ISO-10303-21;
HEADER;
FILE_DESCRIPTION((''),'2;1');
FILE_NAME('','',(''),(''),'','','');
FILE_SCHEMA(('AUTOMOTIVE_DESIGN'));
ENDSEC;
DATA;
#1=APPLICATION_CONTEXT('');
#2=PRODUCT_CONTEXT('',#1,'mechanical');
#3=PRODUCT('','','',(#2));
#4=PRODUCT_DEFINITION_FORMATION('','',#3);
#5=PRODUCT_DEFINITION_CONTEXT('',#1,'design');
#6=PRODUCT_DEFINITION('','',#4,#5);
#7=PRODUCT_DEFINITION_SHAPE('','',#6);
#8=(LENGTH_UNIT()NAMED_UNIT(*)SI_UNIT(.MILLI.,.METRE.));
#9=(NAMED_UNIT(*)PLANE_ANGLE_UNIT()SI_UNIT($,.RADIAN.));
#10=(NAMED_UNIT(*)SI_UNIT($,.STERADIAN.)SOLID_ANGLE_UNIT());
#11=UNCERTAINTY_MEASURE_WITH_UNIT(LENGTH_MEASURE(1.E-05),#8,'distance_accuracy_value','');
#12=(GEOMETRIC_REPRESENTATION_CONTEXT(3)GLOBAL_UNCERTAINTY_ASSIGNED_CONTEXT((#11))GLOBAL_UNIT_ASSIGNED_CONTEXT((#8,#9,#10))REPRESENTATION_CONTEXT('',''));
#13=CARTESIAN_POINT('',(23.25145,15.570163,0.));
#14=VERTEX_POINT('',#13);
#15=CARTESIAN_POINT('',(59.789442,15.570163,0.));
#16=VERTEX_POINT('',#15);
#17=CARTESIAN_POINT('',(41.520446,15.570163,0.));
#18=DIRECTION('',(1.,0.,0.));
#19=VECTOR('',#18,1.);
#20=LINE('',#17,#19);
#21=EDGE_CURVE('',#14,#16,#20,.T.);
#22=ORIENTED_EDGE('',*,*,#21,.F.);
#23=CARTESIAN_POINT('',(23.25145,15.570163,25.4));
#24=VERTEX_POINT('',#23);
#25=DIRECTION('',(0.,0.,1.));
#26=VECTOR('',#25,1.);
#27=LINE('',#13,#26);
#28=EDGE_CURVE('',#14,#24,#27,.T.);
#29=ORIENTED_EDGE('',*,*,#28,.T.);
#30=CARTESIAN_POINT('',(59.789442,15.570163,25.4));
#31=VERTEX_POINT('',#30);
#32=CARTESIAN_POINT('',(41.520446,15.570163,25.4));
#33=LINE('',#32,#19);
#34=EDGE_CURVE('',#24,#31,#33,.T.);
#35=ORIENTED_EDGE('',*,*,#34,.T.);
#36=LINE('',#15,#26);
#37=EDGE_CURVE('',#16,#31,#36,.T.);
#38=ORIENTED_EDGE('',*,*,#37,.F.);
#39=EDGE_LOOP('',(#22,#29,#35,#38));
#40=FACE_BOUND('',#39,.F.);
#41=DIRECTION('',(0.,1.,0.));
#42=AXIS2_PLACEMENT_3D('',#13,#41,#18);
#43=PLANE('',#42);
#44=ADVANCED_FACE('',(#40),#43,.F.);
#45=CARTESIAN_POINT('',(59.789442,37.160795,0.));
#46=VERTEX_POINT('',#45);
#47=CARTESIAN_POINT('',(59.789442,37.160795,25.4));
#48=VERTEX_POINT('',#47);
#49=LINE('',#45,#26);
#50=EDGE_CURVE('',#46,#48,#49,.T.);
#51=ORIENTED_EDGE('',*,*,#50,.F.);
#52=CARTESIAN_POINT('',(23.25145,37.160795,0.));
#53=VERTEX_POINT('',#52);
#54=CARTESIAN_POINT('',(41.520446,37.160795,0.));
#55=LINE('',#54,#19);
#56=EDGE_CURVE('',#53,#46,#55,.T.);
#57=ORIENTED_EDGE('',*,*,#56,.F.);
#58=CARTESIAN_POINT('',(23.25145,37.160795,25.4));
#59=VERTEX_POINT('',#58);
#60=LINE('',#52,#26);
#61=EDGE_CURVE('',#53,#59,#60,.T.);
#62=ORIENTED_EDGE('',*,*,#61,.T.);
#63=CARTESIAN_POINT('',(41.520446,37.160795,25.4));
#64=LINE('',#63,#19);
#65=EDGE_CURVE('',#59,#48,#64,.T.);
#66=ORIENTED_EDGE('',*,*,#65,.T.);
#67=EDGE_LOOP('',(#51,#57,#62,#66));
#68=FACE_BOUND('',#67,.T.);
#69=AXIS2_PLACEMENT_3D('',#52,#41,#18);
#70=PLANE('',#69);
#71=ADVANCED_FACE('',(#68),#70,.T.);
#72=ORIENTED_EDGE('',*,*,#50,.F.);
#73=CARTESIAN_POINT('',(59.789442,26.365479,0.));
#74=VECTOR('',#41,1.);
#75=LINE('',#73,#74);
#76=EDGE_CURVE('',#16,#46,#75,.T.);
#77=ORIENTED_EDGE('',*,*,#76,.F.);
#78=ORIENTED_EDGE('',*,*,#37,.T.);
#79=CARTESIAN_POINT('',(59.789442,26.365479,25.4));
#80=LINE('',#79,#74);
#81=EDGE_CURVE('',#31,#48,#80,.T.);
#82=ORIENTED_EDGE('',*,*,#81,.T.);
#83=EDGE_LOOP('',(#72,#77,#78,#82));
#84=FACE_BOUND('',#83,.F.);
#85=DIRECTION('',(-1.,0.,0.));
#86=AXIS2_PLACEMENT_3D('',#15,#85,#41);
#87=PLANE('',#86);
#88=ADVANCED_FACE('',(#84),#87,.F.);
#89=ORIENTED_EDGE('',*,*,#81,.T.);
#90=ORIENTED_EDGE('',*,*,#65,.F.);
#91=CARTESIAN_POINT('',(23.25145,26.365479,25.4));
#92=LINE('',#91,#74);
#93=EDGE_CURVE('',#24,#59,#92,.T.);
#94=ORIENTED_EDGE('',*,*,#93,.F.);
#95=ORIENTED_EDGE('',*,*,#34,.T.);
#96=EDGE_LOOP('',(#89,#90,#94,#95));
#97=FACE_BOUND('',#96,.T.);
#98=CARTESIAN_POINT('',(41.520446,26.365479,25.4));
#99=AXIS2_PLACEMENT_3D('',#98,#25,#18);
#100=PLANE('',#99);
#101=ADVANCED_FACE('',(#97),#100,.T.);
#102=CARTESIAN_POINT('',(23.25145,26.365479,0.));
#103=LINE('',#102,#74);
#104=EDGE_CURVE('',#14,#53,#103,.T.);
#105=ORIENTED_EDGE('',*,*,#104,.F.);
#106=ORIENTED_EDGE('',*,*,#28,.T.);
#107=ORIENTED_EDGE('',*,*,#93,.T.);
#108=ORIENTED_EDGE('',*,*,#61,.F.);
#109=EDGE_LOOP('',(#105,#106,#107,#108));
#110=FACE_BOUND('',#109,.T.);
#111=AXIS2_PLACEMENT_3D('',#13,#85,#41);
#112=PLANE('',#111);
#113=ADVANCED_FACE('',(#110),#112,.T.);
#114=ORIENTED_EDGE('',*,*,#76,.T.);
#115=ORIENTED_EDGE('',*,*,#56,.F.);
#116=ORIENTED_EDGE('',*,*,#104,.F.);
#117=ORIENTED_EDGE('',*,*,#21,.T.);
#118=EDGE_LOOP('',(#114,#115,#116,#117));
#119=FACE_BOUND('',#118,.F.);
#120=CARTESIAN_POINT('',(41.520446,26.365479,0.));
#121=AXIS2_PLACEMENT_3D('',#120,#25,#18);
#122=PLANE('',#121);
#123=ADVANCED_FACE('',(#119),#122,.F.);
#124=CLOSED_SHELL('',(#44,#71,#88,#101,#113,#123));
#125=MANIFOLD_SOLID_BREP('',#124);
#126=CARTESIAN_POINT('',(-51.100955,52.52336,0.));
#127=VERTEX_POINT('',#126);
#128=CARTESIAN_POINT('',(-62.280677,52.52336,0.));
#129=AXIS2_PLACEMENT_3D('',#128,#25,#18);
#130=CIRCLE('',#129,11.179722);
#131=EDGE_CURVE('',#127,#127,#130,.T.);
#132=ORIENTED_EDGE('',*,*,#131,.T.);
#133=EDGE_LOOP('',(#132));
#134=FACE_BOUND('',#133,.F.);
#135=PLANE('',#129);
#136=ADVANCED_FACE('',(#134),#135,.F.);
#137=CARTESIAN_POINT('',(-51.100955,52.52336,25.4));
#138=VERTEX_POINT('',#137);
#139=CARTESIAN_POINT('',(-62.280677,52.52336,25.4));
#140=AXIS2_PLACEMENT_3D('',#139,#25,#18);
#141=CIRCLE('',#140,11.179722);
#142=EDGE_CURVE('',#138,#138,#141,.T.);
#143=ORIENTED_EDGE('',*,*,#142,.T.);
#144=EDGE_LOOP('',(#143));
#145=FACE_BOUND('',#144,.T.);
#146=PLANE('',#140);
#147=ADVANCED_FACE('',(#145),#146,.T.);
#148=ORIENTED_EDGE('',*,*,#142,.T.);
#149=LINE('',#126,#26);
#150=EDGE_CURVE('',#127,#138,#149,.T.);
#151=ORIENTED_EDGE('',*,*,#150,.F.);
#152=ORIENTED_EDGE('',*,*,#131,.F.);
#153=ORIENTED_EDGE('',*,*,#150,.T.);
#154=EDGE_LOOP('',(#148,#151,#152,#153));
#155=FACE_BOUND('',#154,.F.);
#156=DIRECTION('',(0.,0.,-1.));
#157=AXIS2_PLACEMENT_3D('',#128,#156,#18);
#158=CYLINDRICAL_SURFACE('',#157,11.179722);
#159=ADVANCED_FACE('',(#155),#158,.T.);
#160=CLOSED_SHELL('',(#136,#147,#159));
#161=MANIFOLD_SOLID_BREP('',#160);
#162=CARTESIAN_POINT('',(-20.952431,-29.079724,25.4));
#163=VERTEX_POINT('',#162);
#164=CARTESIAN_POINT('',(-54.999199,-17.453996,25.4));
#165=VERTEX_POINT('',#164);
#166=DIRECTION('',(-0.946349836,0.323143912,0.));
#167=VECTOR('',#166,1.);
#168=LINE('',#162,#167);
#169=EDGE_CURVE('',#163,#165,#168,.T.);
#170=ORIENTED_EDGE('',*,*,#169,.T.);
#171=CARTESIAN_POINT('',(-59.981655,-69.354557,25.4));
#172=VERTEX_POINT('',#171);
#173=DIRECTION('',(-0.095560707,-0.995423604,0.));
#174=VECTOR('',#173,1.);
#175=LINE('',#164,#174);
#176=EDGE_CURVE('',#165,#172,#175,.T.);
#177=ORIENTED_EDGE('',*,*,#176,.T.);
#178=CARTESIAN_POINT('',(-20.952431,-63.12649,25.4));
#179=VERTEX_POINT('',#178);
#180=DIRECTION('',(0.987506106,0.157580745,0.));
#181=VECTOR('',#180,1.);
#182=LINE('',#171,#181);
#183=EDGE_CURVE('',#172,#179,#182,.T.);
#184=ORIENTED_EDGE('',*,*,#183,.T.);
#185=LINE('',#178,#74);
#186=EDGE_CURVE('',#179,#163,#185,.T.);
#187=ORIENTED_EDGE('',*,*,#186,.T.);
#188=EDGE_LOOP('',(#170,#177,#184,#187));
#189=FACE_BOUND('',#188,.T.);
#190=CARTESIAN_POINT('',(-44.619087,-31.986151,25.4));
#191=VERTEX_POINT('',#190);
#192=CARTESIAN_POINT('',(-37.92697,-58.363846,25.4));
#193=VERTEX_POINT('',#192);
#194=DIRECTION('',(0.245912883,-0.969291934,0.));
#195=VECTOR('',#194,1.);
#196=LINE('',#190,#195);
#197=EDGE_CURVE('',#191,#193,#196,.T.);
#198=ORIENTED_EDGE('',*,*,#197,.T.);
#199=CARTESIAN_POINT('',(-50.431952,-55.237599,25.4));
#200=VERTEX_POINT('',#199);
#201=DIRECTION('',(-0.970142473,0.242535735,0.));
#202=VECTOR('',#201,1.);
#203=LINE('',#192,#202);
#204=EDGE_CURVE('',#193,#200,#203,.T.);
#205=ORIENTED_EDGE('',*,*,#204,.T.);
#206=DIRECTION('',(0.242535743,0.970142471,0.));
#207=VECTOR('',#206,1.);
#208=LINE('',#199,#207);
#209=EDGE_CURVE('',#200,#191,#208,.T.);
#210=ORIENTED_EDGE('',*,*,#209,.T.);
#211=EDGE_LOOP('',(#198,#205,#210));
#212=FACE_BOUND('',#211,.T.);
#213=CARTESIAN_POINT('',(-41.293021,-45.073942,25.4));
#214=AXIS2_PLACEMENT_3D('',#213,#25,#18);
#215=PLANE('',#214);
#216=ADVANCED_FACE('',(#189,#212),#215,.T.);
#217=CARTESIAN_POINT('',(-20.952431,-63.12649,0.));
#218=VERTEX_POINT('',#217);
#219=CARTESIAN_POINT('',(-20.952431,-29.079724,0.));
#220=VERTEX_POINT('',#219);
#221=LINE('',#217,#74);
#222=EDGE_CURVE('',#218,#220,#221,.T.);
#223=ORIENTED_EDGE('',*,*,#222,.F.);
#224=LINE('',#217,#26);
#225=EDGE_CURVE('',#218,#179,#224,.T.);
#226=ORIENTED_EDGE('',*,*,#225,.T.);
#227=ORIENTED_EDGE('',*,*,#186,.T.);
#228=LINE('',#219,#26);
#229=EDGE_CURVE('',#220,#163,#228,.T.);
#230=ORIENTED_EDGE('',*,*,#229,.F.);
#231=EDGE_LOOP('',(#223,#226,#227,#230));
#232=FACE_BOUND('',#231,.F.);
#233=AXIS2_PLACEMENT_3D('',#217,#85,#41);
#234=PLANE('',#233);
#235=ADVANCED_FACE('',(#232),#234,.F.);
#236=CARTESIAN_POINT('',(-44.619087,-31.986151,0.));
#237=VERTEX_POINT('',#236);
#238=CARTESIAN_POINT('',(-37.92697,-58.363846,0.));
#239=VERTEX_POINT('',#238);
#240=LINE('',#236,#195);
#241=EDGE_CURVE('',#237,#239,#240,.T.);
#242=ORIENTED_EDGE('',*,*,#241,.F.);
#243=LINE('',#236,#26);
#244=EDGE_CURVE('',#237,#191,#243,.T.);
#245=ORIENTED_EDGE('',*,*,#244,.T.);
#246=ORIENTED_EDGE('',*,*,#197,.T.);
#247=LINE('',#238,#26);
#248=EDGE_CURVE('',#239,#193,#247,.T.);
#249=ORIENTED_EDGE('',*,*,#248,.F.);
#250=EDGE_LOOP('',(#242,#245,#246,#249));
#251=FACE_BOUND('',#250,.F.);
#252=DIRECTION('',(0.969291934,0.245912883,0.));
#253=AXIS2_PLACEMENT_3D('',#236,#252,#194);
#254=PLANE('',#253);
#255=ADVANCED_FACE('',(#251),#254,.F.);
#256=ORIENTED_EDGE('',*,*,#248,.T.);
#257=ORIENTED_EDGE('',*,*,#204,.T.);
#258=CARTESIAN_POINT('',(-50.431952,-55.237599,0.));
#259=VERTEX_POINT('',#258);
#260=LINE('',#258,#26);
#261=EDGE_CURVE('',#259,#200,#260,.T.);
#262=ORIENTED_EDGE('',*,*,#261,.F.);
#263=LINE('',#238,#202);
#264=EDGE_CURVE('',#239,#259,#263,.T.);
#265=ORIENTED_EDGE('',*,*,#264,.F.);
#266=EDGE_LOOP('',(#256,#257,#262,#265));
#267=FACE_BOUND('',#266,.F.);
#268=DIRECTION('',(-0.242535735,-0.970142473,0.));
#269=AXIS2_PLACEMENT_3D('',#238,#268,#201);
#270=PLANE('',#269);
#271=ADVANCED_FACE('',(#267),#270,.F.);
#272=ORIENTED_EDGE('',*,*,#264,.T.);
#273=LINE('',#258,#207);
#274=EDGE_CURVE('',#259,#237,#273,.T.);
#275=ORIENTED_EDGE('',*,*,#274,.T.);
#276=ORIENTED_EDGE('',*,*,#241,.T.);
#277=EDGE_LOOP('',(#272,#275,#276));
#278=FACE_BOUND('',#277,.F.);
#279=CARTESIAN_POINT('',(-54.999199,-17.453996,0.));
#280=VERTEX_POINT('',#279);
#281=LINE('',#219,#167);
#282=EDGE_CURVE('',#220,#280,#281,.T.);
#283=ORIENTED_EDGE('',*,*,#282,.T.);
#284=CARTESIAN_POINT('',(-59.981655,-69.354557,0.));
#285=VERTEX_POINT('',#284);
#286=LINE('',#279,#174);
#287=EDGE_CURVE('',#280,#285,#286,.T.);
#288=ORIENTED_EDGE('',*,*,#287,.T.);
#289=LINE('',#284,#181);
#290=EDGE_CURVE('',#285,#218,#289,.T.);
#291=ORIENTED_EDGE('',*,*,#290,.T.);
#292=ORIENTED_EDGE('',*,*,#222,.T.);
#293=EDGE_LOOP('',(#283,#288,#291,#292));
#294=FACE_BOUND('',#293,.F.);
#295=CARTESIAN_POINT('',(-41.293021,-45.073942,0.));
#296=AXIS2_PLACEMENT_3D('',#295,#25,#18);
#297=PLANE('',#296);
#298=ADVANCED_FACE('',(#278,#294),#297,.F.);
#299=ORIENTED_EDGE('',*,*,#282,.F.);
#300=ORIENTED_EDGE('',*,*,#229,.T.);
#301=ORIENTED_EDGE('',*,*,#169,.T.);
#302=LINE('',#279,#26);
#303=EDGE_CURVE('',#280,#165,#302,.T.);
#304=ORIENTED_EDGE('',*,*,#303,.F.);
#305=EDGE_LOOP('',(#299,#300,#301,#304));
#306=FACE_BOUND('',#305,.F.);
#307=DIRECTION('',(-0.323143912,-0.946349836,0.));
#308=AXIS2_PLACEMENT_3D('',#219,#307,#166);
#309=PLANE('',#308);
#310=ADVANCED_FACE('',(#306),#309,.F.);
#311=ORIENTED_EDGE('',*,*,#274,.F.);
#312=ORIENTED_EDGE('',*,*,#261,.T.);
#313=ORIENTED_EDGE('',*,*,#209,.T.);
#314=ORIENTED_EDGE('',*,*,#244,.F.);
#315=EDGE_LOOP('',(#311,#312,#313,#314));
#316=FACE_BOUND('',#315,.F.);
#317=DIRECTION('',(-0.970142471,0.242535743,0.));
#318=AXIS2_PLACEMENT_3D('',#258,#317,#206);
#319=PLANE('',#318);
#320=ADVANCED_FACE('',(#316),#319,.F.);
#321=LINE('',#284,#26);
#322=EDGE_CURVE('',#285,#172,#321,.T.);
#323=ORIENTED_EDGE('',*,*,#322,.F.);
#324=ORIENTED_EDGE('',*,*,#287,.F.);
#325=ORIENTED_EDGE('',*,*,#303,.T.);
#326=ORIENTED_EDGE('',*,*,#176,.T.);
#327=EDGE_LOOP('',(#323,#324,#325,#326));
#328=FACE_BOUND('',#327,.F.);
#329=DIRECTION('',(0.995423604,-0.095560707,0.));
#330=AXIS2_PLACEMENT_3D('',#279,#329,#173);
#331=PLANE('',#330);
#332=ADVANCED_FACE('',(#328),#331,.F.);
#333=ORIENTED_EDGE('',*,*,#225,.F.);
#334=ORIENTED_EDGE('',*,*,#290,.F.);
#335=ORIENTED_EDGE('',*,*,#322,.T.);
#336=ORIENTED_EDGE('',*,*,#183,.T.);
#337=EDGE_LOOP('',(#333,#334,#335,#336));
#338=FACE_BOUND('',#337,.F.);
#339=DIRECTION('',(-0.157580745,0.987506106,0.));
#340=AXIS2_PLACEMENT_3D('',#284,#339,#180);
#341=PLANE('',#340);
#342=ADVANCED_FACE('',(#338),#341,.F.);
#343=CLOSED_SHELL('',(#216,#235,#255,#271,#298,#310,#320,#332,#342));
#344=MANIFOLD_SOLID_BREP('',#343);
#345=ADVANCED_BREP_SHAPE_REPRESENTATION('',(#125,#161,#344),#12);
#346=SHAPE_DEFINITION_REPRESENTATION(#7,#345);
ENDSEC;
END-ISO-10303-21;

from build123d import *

# Parameters (mm, degrees)
F1_DEPTH = 25.4
F0_R     = 11.179722
F2_DEPTH = 25.4
F0_W     = 36.537992
F0_H     = 21.590633
F3_DEPTH = 25.4


with BuildPart() as f1:
    # F0 (on Top) → F1 (new body)
    with BuildSketch(Plane.XY):
        Polygon((-20.952431, -29.079724), (-54.999199, -17.453996), (-59.981655, -69.354557), (-20.952431, -63.12649), align=None)
        Polygon((-50.431952, -55.237599), (-44.619087, -31.986151), (-37.92697, -58.363846), align=None, mode=Mode.SUBTRACT)
    extrude(amount=F1_DEPTH)


with BuildPart() as f2:
    # F0 (on Top) → F2 (new body)
    with BuildSketch(Plane.XY):
        with Locations((-62.280677, 52.52336)):
            Circle(F0_R)
    extrude(amount=F2_DEPTH)


with BuildPart() as f3:
    # F0 (on Top) → F3 (new body)
    with BuildSketch(Plane.XY):
        with Locations((41.520446, 26.365479)):
            Rectangle(F0_W, F0_H)
    extrude(amount=F3_DEPTH)


solid = Compound([f1.part, f2.part, f3.part])
